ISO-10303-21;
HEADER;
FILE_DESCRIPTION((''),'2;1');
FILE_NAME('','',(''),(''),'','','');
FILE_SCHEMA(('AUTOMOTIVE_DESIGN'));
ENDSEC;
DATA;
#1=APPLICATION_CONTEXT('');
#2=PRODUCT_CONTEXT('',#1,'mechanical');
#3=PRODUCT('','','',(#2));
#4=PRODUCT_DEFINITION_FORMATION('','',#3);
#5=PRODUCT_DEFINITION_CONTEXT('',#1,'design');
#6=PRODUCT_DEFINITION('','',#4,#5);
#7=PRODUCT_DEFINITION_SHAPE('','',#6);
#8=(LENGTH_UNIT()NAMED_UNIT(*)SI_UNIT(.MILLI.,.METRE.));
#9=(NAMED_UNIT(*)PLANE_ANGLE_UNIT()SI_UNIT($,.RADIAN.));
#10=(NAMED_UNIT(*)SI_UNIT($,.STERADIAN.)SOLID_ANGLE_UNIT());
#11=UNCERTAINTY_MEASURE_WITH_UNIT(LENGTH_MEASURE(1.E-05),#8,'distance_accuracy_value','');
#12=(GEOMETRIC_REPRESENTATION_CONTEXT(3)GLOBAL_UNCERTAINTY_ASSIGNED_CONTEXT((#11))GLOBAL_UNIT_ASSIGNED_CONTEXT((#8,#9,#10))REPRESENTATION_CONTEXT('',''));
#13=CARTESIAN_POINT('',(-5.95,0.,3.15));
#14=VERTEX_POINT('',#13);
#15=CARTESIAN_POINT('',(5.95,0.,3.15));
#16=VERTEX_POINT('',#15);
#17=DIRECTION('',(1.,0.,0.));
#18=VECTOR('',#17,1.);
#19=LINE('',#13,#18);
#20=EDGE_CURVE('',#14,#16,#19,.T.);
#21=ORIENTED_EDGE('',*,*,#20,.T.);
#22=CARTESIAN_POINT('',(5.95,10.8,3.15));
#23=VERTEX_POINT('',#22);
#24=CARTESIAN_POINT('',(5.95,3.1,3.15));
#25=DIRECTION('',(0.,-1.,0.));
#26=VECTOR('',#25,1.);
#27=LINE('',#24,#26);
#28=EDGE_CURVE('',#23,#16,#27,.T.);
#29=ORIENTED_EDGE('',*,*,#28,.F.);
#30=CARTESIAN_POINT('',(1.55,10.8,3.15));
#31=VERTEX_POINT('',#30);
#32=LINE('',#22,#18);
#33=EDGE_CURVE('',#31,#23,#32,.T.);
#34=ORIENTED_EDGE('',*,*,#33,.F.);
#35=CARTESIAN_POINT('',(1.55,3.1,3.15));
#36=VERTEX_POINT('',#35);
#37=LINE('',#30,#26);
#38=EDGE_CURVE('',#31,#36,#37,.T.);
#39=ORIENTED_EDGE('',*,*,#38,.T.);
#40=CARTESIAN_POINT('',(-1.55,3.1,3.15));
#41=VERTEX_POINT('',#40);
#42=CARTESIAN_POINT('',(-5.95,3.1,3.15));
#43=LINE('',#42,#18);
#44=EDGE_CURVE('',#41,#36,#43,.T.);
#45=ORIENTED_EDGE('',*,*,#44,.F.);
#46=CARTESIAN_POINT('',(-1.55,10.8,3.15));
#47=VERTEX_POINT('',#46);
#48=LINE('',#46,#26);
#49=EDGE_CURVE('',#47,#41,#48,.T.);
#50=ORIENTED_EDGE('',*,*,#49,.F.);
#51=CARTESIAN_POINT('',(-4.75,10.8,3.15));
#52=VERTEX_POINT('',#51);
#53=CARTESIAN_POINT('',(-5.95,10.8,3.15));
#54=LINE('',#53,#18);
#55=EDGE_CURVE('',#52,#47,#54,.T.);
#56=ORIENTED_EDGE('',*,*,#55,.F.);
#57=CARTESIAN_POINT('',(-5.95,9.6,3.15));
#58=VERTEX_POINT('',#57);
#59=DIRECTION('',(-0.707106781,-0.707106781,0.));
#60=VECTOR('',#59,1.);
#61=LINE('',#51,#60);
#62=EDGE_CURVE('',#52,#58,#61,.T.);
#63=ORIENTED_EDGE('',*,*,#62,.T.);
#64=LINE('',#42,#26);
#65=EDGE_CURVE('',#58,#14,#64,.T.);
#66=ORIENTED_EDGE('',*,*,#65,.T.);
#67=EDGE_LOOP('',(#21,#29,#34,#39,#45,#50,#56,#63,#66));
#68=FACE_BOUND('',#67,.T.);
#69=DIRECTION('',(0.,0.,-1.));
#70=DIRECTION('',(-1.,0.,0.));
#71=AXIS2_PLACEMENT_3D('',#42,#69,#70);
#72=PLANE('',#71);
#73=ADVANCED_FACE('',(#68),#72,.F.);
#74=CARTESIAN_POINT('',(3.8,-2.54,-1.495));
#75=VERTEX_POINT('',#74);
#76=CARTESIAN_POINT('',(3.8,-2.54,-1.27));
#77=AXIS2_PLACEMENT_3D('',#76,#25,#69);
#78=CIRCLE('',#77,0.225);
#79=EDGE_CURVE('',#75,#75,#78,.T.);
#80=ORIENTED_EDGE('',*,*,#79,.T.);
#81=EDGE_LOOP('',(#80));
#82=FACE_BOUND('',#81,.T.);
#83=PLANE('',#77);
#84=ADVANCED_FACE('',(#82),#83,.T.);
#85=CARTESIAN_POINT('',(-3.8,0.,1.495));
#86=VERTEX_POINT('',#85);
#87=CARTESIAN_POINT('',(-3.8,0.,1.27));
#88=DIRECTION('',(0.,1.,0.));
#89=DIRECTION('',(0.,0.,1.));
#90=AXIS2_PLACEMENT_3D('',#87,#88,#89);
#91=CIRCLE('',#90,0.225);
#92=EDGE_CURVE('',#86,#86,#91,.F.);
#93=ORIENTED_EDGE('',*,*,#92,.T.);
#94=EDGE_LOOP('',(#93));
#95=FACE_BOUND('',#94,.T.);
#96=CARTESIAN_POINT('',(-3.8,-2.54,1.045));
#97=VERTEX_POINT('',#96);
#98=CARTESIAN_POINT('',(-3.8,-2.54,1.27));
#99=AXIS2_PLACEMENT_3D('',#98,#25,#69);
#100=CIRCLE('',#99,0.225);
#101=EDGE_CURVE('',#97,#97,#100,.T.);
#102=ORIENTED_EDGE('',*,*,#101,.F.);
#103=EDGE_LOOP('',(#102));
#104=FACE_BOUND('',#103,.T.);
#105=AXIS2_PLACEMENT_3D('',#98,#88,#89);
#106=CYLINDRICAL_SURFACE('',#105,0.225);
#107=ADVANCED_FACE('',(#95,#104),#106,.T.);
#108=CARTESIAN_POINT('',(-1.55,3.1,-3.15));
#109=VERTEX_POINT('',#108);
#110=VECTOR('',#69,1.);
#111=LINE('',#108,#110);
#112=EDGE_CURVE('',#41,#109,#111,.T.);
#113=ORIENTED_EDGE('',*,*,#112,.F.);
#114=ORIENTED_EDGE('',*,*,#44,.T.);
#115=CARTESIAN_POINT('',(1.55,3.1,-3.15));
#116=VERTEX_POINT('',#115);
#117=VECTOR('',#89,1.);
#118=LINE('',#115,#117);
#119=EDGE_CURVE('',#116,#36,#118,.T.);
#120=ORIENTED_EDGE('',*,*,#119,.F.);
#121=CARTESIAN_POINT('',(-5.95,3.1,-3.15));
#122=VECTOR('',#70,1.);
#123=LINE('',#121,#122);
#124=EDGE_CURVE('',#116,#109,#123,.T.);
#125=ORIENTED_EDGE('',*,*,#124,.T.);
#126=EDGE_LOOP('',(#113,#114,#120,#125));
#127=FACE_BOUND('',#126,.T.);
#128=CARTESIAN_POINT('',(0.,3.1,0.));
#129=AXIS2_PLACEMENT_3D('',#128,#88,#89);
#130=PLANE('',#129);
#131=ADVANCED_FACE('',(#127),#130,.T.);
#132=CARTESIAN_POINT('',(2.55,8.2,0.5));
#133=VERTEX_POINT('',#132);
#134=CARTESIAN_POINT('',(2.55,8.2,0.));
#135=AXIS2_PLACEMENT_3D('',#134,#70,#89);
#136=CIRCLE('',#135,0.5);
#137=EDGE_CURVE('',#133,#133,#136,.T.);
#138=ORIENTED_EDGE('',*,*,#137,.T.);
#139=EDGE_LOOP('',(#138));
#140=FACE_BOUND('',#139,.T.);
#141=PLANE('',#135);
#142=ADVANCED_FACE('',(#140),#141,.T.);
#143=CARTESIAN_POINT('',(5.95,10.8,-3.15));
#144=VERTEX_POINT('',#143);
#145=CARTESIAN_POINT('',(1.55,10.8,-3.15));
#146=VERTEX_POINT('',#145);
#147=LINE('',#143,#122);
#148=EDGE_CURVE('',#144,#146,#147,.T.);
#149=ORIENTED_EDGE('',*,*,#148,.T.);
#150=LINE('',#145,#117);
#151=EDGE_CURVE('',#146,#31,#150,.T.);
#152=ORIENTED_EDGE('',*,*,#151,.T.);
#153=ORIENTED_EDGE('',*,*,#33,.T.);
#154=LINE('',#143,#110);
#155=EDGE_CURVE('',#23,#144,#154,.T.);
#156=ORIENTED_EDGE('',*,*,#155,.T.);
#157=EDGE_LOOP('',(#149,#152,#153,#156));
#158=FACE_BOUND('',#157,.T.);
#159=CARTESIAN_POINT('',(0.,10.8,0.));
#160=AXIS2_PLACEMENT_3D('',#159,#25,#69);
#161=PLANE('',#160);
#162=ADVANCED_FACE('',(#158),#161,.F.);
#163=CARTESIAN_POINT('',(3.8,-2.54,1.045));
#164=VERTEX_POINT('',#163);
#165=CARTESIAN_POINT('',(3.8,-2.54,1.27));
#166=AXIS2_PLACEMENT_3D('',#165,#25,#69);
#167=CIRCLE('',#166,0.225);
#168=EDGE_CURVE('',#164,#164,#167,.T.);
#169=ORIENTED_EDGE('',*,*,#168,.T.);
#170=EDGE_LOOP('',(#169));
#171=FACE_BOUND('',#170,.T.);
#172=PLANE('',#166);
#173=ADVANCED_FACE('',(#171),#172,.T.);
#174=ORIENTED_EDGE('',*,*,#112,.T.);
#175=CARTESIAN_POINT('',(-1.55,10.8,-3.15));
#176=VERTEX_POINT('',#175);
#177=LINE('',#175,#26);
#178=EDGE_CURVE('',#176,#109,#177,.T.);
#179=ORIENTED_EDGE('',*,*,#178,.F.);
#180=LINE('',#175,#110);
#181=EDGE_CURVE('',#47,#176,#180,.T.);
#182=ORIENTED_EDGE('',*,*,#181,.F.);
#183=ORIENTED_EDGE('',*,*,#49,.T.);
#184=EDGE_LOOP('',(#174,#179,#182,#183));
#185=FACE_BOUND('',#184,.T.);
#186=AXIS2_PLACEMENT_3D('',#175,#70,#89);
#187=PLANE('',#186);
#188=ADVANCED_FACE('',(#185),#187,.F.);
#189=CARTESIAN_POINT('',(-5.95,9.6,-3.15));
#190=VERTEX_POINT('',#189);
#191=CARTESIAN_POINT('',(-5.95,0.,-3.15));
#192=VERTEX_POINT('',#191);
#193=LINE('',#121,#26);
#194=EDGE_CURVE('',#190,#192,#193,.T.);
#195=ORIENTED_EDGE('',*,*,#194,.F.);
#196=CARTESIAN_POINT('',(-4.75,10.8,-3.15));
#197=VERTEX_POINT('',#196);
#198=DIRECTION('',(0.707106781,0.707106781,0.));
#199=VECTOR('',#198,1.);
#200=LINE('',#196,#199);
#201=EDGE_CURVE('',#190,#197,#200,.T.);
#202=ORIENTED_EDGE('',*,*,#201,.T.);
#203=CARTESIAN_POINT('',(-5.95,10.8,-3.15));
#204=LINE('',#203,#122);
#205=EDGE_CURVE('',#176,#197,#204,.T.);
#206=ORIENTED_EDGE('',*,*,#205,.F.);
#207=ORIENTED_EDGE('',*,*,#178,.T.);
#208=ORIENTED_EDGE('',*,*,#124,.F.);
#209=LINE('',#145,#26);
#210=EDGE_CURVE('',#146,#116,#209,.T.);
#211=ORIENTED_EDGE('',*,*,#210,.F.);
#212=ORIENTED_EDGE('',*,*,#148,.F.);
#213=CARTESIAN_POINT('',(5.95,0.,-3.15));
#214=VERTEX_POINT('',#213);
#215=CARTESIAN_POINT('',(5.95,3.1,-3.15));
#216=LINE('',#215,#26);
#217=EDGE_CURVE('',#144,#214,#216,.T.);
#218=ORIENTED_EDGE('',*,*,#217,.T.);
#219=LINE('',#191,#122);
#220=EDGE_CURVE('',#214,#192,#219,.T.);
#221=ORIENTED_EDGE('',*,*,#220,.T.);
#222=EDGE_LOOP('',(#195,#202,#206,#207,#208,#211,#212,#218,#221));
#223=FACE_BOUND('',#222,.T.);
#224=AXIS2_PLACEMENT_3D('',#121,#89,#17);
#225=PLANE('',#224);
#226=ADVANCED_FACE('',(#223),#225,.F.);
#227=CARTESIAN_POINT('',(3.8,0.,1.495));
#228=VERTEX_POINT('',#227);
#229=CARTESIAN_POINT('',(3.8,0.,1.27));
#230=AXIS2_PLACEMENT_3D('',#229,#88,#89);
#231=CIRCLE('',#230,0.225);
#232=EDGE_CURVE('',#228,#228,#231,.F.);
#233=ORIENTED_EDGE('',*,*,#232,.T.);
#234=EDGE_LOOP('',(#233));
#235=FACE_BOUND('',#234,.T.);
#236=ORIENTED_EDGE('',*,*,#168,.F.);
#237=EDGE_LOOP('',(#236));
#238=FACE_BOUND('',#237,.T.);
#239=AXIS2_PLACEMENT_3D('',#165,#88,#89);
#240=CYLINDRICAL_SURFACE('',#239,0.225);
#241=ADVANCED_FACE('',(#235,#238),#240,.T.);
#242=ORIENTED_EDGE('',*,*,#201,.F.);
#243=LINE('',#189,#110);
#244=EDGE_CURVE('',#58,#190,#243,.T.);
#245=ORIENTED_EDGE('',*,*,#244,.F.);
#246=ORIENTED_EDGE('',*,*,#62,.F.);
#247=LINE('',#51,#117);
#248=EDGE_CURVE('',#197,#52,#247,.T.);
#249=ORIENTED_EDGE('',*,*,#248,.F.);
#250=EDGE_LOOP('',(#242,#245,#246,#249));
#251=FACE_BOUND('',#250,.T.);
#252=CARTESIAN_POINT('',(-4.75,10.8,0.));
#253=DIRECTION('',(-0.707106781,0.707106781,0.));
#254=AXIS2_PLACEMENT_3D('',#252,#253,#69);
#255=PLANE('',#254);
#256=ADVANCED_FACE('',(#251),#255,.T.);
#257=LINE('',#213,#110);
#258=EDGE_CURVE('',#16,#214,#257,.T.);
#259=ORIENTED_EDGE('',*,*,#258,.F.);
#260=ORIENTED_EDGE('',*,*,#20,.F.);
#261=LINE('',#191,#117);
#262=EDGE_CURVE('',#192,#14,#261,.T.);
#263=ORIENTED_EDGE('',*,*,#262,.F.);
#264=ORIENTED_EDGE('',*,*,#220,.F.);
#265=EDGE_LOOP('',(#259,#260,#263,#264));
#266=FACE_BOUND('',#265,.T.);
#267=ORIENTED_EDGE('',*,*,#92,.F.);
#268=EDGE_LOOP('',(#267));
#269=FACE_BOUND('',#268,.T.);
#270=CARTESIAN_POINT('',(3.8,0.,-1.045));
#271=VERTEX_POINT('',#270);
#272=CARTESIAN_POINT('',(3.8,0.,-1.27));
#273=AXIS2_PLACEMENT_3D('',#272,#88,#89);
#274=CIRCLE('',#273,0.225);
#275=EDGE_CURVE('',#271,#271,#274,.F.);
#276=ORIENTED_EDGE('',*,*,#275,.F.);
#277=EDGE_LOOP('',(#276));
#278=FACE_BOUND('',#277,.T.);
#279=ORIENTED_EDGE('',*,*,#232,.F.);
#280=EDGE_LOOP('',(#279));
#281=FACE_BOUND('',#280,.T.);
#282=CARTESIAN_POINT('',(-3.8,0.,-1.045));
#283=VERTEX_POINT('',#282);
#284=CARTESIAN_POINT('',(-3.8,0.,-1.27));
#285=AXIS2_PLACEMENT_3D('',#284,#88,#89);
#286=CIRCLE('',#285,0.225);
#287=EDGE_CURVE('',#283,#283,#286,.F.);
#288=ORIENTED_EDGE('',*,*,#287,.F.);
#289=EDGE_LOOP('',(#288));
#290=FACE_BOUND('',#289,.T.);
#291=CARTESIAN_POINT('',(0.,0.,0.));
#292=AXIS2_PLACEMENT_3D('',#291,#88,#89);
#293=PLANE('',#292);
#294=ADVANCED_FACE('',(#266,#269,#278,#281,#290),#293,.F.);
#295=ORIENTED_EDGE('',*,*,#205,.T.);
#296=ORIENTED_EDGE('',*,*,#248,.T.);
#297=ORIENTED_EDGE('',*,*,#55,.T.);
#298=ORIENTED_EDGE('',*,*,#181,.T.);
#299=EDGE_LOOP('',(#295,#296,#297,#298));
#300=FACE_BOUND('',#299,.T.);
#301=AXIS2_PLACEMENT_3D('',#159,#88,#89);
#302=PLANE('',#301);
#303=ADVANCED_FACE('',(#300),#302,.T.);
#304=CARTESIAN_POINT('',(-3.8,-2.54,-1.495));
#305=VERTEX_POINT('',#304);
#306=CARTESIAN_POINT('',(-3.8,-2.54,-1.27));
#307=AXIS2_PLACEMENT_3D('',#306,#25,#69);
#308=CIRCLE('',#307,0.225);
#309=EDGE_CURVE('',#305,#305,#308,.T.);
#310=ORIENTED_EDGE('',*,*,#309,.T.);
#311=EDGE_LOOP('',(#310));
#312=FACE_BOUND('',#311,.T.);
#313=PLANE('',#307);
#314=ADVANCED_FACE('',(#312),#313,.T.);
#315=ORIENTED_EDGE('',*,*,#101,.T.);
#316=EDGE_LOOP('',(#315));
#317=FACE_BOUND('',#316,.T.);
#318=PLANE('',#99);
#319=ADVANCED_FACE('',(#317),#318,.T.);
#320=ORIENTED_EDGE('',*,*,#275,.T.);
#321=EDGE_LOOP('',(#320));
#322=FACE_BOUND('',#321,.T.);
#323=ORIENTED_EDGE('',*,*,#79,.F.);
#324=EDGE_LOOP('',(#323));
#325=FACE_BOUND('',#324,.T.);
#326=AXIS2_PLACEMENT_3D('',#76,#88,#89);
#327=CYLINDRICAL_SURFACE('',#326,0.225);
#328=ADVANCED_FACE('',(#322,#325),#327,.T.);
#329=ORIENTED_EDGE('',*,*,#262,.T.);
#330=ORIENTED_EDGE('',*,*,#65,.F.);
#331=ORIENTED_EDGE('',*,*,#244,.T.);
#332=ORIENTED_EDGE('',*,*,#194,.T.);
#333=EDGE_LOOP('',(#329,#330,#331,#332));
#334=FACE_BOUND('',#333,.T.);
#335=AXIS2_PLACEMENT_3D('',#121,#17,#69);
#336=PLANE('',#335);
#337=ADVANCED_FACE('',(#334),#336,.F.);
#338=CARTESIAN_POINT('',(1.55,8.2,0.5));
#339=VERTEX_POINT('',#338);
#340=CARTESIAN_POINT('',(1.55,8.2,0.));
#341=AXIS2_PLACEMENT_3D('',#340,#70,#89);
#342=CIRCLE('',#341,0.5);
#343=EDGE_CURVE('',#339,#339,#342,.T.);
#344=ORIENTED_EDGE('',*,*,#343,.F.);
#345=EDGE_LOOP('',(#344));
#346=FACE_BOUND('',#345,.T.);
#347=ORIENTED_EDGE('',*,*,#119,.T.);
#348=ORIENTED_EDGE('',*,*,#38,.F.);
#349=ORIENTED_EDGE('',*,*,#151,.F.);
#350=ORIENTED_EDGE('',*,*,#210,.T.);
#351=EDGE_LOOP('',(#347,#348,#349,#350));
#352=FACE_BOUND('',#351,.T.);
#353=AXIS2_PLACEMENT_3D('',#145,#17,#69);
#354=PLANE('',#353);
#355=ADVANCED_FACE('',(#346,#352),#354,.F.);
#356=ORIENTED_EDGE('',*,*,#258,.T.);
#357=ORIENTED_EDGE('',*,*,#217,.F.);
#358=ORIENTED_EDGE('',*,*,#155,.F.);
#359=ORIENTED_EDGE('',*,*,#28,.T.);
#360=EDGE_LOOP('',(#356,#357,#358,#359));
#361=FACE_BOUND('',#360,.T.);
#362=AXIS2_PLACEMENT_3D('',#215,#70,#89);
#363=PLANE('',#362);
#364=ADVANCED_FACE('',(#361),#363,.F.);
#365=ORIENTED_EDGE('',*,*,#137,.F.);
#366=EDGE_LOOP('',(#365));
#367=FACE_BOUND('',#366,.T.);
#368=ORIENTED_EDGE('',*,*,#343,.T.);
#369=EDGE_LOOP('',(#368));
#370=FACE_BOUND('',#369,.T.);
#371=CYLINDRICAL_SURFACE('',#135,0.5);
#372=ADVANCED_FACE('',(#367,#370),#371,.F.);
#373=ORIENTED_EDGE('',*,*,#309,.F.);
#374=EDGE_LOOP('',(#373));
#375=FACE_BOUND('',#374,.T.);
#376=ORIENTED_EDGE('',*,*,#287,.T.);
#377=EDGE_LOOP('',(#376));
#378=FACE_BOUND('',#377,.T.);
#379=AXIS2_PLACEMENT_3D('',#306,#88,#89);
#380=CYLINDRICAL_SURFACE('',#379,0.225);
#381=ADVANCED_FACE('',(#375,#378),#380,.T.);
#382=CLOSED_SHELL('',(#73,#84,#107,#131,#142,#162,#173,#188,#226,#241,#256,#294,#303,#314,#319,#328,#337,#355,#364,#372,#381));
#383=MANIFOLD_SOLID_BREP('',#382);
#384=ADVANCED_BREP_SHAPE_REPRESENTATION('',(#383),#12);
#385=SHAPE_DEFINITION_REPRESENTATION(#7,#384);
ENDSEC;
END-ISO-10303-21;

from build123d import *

# Parameters (mm, degrees)
SKETCH1_W           = 11.9
SKETCH1_H           = 6.3
BOSS_EXTRUDE1_DEPTH = 3.1
SKETCH2_W           = 4.4
SKETCH2_H           = 6.3
BOSS_EXTRUDE2_DEPTH = 7.7
SKETCH3_R           = 0.5
CUT_EXTRUDE1_DEPTH  = 1
CHAMFER1_SIZE       = 1.2
SKETCH4_R           = 0.225
BOSS_EXTRUDE3_DEPTH = 2.54


with BuildPart() as part:
    # Sketch1 → Boss-Extrude1 (new body)
    with BuildSketch(Plane(origin=(0, 0, 0), x_dir=(1, 0, 0), z_dir=(0, 1, 0))):
        Rectangle(SKETCH1_W, SKETCH1_H)
    extrude(amount=BOSS_EXTRUDE1_DEPTH)

    # Sketch2 → Boss-Extrude2 (add)
    with BuildSketch(Plane(origin=(0, 3.1, 0), x_dir=(1, 0, 0), z_dir=(0, 1, 0))):
        with Locations((-3.75, 0)):
            Rectangle(SKETCH2_W, SKETCH2_H)
        with Locations((3.75, 0)):
            Rectangle(SKETCH2_W, SKETCH2_H)
    extrude(amount=BOSS_EXTRUDE2_DEPTH)

    # Sketch3 → Cut-Extrude1 (cut)
    with BuildSketch(Plane.ZY.offset(-1.55)):
        with Locations((0, 8.2)):
            Circle(SKETCH3_R)
    extrude(amount=-CUT_EXTRUDE1_DEPTH, mode=Mode.SUBTRACT)

    # Chamfer1
    chamfer1_edges = [part.edges().sort_by_distance(p)[0] for p in [
        (-5.95, 10.8, 0),
    ]]
    chamfer(chamfer1_edges, length=CHAMFER1_SIZE)

    # Sketch4 → Boss-Extrude3 (add)
    with BuildSketch(Plane.XZ):
        with Locations(Location((-3.8, 1.27, 0), (0, 0, 90))):
            Circle(SKETCH4_R)
        with Locations(Location((-3.8, -1.27, 0), (0, 0, 90))):
            Circle(SKETCH4_R)
        with Locations(Location((3.8, 1.27, 0), (0, 0, 90))):
            Circle(SKETCH4_R)
        with Locations(Location((3.8, -1.27, 0), (0, 0, 90))):
            Circle(SKETCH4_R)
    extrude(amount=BOSS_EXTRUDE3_DEPTH)


solid = part.part
